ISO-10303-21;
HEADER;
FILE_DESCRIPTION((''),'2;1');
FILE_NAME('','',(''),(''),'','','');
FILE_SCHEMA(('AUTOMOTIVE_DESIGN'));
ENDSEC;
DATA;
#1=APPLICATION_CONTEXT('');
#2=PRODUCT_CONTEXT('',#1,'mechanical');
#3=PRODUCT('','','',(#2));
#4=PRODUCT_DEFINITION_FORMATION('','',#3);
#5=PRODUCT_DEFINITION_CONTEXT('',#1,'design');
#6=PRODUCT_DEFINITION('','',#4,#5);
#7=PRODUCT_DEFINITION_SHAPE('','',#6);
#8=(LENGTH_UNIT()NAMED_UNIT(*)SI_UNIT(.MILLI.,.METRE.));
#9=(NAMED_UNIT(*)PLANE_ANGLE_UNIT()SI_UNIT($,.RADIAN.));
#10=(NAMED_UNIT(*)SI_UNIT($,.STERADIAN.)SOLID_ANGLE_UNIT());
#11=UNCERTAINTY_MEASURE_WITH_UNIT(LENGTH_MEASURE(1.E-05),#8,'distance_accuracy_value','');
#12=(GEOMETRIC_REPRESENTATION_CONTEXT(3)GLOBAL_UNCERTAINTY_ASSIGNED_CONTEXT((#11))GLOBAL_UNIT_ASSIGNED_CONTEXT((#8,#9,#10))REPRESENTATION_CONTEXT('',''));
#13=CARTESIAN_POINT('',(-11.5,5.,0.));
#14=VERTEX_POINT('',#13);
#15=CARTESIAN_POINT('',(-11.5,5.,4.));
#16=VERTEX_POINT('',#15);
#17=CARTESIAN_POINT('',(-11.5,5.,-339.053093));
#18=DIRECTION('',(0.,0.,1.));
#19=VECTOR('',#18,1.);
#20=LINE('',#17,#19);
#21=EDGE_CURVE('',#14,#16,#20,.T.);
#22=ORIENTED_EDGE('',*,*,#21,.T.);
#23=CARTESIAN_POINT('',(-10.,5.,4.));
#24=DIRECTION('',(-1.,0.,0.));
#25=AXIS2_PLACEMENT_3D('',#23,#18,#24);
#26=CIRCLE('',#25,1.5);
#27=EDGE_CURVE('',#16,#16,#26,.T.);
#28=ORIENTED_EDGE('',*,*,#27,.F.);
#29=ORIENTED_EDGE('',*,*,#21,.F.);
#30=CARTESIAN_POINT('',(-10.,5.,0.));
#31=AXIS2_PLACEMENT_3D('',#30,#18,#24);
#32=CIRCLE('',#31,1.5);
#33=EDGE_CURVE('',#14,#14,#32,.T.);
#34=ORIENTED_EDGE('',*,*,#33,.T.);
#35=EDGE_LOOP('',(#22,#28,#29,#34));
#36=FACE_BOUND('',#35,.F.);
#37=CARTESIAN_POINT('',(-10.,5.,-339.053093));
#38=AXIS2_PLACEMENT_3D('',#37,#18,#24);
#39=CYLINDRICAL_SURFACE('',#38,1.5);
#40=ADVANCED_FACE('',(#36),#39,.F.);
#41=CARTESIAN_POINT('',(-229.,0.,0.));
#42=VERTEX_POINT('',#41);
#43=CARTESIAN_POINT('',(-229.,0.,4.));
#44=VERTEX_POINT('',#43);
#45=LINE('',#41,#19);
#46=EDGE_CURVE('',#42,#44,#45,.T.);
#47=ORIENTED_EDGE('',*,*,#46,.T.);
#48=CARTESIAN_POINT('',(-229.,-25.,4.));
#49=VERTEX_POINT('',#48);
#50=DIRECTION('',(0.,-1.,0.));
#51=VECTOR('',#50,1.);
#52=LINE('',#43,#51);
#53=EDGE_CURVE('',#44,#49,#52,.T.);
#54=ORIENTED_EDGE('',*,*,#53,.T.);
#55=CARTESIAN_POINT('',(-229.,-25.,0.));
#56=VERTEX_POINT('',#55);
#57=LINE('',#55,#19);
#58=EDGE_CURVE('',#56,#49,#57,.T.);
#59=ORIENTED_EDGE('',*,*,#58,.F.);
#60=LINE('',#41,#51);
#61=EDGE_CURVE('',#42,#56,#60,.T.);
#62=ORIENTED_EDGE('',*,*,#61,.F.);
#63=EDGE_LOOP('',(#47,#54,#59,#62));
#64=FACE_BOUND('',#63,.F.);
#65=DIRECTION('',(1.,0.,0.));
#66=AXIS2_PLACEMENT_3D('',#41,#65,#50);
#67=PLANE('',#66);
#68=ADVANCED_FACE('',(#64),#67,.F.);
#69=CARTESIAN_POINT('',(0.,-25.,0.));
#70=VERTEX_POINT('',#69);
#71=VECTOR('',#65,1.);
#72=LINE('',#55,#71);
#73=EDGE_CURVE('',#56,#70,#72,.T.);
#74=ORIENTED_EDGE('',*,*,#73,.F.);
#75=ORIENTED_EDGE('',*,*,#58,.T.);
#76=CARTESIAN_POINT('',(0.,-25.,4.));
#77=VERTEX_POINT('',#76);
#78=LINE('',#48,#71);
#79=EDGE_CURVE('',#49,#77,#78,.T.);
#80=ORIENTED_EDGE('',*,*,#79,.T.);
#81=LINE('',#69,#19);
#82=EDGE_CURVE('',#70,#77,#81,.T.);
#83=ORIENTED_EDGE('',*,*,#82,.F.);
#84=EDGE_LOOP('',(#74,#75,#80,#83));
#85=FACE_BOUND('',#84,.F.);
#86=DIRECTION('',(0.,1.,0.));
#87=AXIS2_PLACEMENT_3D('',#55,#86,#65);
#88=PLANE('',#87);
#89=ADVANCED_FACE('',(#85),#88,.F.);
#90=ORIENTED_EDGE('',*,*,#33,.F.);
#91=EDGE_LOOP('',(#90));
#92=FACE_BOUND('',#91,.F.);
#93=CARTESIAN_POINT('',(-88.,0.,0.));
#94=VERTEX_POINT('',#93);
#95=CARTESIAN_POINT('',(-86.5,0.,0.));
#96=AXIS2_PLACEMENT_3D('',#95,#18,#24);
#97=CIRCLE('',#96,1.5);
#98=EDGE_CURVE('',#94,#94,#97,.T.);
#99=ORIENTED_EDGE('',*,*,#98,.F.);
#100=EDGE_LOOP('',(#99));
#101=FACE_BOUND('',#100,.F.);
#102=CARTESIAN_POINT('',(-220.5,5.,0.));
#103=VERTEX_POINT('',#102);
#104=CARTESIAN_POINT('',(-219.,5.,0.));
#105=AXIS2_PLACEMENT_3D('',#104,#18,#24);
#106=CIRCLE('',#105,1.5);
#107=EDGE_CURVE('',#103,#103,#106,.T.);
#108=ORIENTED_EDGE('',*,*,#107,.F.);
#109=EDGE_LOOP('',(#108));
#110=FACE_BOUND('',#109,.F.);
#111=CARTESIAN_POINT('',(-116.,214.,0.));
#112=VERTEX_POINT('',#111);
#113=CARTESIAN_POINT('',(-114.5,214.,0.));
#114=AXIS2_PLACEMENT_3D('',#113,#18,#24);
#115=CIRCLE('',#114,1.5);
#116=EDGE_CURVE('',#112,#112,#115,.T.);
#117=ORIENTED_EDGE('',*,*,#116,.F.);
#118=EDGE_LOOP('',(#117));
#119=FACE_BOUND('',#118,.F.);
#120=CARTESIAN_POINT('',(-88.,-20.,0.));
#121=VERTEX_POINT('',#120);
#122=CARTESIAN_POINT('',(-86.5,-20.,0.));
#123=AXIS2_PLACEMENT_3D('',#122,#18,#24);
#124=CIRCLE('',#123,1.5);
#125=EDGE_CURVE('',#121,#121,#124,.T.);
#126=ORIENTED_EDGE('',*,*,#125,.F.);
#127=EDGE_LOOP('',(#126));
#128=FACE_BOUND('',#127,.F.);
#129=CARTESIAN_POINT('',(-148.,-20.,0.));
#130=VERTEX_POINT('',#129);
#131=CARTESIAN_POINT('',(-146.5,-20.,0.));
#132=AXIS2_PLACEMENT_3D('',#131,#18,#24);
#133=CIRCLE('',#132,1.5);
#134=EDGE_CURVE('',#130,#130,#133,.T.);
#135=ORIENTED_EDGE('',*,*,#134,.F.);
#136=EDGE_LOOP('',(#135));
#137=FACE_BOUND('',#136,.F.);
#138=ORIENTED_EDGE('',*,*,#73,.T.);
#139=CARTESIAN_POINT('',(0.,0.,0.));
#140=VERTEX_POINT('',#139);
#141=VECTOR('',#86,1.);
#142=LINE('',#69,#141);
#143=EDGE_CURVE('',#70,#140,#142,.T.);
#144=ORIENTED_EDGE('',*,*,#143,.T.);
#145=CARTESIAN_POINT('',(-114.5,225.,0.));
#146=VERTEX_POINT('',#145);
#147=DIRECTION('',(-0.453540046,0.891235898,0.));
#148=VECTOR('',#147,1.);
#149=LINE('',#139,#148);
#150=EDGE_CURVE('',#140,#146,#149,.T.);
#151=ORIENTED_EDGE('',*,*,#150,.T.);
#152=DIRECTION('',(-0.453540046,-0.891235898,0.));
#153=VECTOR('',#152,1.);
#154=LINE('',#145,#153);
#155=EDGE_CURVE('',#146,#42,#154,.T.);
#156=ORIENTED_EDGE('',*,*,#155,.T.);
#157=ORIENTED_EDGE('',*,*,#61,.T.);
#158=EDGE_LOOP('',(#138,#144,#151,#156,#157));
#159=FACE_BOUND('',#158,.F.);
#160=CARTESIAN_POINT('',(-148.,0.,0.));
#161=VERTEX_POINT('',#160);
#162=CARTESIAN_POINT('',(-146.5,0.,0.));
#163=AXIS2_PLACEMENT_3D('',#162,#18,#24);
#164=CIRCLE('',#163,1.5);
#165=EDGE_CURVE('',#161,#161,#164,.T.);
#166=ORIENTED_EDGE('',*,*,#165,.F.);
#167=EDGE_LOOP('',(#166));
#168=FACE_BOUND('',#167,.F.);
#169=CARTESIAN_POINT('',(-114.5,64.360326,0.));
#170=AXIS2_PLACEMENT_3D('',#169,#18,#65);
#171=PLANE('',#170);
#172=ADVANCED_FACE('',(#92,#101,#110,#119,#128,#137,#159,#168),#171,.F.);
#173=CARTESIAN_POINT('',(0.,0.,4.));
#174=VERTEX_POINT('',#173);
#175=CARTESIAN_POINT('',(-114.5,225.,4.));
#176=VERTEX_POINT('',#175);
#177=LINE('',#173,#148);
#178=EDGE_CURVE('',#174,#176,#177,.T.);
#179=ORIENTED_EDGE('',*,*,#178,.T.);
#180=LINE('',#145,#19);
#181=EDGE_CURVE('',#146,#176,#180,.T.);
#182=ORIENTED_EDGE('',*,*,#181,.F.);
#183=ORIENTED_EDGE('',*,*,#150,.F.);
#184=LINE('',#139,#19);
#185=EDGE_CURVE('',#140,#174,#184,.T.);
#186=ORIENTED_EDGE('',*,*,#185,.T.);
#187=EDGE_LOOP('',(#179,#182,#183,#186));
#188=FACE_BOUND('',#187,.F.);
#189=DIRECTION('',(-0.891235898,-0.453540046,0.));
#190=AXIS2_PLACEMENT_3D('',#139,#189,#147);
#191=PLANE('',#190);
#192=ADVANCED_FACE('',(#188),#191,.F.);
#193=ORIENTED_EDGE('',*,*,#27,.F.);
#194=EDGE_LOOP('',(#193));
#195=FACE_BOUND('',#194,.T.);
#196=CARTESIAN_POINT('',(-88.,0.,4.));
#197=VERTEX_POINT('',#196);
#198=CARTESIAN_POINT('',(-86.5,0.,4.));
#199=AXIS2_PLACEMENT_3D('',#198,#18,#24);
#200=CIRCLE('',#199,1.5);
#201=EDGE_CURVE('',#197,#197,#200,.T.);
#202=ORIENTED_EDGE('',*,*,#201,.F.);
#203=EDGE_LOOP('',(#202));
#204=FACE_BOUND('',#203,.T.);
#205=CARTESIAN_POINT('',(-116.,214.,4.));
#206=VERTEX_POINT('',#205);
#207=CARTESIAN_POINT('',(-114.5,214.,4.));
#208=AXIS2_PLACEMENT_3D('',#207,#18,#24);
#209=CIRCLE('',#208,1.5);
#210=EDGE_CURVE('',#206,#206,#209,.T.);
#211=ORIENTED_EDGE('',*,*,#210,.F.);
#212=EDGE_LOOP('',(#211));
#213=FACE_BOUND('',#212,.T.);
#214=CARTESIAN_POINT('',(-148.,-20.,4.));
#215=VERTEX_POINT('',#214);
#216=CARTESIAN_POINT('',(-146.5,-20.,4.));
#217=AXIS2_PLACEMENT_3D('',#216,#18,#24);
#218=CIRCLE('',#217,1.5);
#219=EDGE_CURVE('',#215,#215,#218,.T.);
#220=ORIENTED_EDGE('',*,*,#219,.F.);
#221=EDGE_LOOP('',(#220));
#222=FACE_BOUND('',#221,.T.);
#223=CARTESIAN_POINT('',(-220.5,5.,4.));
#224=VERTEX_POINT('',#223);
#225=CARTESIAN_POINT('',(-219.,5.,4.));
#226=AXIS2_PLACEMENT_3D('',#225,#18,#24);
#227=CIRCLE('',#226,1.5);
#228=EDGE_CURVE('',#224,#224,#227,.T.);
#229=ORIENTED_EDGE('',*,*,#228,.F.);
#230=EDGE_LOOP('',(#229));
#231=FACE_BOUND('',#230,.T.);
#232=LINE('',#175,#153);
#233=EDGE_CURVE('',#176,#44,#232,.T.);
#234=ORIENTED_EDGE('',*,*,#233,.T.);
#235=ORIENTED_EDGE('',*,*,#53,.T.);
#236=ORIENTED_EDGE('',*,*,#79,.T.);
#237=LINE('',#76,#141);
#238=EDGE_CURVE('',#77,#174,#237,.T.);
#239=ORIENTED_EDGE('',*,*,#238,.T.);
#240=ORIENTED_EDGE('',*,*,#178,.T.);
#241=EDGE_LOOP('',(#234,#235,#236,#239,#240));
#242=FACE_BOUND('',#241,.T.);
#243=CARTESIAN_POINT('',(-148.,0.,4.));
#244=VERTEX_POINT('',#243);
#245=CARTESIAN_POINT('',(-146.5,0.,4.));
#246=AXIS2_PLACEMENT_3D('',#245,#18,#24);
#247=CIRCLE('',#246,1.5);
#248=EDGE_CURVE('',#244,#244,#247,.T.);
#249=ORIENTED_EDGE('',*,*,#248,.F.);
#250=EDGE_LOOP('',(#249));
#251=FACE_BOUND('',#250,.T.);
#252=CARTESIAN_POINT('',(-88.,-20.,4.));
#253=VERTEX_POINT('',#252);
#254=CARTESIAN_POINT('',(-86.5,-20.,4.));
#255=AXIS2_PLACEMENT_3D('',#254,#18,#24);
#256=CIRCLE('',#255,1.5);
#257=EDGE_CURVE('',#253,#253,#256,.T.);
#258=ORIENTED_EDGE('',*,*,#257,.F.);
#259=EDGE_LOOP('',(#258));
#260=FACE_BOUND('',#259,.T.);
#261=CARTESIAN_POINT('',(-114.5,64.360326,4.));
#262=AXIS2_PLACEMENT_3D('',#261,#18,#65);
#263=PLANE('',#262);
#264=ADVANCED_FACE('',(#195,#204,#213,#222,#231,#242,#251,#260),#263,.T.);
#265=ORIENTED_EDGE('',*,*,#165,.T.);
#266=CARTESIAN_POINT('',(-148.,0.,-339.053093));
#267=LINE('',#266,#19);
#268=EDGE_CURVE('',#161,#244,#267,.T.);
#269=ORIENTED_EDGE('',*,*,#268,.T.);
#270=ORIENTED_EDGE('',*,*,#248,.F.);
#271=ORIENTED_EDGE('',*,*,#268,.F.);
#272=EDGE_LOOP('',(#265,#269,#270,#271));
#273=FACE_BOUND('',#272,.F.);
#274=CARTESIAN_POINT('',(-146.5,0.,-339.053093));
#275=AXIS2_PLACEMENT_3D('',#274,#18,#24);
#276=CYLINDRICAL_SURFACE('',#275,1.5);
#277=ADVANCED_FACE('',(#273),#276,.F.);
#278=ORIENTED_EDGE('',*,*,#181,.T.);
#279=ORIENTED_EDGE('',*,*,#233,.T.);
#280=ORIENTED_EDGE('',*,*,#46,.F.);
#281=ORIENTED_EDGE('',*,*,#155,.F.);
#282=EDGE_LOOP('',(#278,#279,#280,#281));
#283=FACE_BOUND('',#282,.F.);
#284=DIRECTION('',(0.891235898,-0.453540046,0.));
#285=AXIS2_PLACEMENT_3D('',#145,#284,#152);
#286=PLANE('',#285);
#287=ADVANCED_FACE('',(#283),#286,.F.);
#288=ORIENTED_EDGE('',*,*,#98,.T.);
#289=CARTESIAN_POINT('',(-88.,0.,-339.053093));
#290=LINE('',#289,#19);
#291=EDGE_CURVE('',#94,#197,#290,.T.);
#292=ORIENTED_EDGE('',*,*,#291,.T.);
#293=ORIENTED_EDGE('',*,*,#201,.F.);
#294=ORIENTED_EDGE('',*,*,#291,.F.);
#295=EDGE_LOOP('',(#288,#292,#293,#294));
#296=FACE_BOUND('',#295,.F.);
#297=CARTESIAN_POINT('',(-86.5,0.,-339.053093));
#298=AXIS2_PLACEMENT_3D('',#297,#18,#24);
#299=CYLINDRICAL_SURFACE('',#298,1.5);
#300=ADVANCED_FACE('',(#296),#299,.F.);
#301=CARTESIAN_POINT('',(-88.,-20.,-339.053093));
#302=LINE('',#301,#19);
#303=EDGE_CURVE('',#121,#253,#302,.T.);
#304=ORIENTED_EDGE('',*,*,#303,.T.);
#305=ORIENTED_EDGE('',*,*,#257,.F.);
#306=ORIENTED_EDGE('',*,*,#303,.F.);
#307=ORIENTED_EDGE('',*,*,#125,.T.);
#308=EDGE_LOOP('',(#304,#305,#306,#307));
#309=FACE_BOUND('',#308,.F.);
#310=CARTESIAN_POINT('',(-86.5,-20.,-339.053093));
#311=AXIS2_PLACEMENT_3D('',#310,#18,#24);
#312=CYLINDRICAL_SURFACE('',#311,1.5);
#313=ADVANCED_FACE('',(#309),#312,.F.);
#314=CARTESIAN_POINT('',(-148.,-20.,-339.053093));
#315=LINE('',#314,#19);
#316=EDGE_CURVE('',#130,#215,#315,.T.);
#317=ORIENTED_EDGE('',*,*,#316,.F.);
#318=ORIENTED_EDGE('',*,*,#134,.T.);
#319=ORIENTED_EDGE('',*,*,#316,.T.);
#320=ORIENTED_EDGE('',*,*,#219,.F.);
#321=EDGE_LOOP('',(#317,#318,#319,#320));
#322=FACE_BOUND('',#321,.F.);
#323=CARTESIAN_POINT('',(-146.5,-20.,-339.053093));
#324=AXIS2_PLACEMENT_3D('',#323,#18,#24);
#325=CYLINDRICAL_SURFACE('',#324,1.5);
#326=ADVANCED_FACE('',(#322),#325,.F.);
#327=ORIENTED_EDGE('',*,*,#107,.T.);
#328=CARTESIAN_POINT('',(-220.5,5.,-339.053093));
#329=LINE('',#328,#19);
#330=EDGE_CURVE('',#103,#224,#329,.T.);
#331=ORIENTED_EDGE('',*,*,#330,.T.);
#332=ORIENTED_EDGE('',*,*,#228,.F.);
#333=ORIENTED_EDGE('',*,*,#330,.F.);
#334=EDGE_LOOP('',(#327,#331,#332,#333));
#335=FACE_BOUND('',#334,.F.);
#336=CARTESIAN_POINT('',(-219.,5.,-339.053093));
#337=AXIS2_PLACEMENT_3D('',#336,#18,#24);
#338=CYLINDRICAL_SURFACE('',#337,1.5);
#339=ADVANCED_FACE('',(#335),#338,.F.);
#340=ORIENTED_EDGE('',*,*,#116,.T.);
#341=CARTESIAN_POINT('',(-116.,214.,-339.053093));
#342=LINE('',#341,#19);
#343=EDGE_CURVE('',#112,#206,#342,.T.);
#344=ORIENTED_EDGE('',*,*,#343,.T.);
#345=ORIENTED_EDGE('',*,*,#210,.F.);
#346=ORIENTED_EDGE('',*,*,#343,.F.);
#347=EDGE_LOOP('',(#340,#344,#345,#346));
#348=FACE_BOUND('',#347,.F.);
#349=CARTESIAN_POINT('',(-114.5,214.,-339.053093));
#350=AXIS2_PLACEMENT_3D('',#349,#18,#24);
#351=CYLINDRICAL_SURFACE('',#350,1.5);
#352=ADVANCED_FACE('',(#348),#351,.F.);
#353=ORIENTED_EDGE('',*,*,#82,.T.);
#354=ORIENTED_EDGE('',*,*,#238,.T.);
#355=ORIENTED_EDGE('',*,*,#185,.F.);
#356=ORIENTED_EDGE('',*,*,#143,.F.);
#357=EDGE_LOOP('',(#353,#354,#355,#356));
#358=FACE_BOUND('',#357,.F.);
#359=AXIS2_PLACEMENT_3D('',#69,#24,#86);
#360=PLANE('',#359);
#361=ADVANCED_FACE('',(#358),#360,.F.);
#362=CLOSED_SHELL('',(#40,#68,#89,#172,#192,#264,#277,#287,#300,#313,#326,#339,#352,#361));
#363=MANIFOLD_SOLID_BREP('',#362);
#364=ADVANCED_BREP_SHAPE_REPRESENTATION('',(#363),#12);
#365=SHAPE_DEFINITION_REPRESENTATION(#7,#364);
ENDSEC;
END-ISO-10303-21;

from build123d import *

# Parameters (mm, degrees)
F1_DEPTH = 4
F2_D     = 3


with BuildPart() as f1:
    # F0 (on Top) → F1 (new body)
    with BuildSketch(Plane.XY):
        Polygon((0, 0), (-114.5, 225), (-229, 0), (-229, -25), (0, -25), align=None)
    extrude(amount=F1_DEPTH)

    # F2 (through all)
    with Locations(Plane(origin=(0, 0, 0), x_dir=(1, 0, 0), z_dir=(0, 0, -1))):
        with Locations((-114.5, -214), (-219, -5), (-146.5, 0), (-146.5, 20), (-86.5, 20), (-86.5, 0), (-10, -5)):
            Hole(F2_D / 2)


solid = f1.part
